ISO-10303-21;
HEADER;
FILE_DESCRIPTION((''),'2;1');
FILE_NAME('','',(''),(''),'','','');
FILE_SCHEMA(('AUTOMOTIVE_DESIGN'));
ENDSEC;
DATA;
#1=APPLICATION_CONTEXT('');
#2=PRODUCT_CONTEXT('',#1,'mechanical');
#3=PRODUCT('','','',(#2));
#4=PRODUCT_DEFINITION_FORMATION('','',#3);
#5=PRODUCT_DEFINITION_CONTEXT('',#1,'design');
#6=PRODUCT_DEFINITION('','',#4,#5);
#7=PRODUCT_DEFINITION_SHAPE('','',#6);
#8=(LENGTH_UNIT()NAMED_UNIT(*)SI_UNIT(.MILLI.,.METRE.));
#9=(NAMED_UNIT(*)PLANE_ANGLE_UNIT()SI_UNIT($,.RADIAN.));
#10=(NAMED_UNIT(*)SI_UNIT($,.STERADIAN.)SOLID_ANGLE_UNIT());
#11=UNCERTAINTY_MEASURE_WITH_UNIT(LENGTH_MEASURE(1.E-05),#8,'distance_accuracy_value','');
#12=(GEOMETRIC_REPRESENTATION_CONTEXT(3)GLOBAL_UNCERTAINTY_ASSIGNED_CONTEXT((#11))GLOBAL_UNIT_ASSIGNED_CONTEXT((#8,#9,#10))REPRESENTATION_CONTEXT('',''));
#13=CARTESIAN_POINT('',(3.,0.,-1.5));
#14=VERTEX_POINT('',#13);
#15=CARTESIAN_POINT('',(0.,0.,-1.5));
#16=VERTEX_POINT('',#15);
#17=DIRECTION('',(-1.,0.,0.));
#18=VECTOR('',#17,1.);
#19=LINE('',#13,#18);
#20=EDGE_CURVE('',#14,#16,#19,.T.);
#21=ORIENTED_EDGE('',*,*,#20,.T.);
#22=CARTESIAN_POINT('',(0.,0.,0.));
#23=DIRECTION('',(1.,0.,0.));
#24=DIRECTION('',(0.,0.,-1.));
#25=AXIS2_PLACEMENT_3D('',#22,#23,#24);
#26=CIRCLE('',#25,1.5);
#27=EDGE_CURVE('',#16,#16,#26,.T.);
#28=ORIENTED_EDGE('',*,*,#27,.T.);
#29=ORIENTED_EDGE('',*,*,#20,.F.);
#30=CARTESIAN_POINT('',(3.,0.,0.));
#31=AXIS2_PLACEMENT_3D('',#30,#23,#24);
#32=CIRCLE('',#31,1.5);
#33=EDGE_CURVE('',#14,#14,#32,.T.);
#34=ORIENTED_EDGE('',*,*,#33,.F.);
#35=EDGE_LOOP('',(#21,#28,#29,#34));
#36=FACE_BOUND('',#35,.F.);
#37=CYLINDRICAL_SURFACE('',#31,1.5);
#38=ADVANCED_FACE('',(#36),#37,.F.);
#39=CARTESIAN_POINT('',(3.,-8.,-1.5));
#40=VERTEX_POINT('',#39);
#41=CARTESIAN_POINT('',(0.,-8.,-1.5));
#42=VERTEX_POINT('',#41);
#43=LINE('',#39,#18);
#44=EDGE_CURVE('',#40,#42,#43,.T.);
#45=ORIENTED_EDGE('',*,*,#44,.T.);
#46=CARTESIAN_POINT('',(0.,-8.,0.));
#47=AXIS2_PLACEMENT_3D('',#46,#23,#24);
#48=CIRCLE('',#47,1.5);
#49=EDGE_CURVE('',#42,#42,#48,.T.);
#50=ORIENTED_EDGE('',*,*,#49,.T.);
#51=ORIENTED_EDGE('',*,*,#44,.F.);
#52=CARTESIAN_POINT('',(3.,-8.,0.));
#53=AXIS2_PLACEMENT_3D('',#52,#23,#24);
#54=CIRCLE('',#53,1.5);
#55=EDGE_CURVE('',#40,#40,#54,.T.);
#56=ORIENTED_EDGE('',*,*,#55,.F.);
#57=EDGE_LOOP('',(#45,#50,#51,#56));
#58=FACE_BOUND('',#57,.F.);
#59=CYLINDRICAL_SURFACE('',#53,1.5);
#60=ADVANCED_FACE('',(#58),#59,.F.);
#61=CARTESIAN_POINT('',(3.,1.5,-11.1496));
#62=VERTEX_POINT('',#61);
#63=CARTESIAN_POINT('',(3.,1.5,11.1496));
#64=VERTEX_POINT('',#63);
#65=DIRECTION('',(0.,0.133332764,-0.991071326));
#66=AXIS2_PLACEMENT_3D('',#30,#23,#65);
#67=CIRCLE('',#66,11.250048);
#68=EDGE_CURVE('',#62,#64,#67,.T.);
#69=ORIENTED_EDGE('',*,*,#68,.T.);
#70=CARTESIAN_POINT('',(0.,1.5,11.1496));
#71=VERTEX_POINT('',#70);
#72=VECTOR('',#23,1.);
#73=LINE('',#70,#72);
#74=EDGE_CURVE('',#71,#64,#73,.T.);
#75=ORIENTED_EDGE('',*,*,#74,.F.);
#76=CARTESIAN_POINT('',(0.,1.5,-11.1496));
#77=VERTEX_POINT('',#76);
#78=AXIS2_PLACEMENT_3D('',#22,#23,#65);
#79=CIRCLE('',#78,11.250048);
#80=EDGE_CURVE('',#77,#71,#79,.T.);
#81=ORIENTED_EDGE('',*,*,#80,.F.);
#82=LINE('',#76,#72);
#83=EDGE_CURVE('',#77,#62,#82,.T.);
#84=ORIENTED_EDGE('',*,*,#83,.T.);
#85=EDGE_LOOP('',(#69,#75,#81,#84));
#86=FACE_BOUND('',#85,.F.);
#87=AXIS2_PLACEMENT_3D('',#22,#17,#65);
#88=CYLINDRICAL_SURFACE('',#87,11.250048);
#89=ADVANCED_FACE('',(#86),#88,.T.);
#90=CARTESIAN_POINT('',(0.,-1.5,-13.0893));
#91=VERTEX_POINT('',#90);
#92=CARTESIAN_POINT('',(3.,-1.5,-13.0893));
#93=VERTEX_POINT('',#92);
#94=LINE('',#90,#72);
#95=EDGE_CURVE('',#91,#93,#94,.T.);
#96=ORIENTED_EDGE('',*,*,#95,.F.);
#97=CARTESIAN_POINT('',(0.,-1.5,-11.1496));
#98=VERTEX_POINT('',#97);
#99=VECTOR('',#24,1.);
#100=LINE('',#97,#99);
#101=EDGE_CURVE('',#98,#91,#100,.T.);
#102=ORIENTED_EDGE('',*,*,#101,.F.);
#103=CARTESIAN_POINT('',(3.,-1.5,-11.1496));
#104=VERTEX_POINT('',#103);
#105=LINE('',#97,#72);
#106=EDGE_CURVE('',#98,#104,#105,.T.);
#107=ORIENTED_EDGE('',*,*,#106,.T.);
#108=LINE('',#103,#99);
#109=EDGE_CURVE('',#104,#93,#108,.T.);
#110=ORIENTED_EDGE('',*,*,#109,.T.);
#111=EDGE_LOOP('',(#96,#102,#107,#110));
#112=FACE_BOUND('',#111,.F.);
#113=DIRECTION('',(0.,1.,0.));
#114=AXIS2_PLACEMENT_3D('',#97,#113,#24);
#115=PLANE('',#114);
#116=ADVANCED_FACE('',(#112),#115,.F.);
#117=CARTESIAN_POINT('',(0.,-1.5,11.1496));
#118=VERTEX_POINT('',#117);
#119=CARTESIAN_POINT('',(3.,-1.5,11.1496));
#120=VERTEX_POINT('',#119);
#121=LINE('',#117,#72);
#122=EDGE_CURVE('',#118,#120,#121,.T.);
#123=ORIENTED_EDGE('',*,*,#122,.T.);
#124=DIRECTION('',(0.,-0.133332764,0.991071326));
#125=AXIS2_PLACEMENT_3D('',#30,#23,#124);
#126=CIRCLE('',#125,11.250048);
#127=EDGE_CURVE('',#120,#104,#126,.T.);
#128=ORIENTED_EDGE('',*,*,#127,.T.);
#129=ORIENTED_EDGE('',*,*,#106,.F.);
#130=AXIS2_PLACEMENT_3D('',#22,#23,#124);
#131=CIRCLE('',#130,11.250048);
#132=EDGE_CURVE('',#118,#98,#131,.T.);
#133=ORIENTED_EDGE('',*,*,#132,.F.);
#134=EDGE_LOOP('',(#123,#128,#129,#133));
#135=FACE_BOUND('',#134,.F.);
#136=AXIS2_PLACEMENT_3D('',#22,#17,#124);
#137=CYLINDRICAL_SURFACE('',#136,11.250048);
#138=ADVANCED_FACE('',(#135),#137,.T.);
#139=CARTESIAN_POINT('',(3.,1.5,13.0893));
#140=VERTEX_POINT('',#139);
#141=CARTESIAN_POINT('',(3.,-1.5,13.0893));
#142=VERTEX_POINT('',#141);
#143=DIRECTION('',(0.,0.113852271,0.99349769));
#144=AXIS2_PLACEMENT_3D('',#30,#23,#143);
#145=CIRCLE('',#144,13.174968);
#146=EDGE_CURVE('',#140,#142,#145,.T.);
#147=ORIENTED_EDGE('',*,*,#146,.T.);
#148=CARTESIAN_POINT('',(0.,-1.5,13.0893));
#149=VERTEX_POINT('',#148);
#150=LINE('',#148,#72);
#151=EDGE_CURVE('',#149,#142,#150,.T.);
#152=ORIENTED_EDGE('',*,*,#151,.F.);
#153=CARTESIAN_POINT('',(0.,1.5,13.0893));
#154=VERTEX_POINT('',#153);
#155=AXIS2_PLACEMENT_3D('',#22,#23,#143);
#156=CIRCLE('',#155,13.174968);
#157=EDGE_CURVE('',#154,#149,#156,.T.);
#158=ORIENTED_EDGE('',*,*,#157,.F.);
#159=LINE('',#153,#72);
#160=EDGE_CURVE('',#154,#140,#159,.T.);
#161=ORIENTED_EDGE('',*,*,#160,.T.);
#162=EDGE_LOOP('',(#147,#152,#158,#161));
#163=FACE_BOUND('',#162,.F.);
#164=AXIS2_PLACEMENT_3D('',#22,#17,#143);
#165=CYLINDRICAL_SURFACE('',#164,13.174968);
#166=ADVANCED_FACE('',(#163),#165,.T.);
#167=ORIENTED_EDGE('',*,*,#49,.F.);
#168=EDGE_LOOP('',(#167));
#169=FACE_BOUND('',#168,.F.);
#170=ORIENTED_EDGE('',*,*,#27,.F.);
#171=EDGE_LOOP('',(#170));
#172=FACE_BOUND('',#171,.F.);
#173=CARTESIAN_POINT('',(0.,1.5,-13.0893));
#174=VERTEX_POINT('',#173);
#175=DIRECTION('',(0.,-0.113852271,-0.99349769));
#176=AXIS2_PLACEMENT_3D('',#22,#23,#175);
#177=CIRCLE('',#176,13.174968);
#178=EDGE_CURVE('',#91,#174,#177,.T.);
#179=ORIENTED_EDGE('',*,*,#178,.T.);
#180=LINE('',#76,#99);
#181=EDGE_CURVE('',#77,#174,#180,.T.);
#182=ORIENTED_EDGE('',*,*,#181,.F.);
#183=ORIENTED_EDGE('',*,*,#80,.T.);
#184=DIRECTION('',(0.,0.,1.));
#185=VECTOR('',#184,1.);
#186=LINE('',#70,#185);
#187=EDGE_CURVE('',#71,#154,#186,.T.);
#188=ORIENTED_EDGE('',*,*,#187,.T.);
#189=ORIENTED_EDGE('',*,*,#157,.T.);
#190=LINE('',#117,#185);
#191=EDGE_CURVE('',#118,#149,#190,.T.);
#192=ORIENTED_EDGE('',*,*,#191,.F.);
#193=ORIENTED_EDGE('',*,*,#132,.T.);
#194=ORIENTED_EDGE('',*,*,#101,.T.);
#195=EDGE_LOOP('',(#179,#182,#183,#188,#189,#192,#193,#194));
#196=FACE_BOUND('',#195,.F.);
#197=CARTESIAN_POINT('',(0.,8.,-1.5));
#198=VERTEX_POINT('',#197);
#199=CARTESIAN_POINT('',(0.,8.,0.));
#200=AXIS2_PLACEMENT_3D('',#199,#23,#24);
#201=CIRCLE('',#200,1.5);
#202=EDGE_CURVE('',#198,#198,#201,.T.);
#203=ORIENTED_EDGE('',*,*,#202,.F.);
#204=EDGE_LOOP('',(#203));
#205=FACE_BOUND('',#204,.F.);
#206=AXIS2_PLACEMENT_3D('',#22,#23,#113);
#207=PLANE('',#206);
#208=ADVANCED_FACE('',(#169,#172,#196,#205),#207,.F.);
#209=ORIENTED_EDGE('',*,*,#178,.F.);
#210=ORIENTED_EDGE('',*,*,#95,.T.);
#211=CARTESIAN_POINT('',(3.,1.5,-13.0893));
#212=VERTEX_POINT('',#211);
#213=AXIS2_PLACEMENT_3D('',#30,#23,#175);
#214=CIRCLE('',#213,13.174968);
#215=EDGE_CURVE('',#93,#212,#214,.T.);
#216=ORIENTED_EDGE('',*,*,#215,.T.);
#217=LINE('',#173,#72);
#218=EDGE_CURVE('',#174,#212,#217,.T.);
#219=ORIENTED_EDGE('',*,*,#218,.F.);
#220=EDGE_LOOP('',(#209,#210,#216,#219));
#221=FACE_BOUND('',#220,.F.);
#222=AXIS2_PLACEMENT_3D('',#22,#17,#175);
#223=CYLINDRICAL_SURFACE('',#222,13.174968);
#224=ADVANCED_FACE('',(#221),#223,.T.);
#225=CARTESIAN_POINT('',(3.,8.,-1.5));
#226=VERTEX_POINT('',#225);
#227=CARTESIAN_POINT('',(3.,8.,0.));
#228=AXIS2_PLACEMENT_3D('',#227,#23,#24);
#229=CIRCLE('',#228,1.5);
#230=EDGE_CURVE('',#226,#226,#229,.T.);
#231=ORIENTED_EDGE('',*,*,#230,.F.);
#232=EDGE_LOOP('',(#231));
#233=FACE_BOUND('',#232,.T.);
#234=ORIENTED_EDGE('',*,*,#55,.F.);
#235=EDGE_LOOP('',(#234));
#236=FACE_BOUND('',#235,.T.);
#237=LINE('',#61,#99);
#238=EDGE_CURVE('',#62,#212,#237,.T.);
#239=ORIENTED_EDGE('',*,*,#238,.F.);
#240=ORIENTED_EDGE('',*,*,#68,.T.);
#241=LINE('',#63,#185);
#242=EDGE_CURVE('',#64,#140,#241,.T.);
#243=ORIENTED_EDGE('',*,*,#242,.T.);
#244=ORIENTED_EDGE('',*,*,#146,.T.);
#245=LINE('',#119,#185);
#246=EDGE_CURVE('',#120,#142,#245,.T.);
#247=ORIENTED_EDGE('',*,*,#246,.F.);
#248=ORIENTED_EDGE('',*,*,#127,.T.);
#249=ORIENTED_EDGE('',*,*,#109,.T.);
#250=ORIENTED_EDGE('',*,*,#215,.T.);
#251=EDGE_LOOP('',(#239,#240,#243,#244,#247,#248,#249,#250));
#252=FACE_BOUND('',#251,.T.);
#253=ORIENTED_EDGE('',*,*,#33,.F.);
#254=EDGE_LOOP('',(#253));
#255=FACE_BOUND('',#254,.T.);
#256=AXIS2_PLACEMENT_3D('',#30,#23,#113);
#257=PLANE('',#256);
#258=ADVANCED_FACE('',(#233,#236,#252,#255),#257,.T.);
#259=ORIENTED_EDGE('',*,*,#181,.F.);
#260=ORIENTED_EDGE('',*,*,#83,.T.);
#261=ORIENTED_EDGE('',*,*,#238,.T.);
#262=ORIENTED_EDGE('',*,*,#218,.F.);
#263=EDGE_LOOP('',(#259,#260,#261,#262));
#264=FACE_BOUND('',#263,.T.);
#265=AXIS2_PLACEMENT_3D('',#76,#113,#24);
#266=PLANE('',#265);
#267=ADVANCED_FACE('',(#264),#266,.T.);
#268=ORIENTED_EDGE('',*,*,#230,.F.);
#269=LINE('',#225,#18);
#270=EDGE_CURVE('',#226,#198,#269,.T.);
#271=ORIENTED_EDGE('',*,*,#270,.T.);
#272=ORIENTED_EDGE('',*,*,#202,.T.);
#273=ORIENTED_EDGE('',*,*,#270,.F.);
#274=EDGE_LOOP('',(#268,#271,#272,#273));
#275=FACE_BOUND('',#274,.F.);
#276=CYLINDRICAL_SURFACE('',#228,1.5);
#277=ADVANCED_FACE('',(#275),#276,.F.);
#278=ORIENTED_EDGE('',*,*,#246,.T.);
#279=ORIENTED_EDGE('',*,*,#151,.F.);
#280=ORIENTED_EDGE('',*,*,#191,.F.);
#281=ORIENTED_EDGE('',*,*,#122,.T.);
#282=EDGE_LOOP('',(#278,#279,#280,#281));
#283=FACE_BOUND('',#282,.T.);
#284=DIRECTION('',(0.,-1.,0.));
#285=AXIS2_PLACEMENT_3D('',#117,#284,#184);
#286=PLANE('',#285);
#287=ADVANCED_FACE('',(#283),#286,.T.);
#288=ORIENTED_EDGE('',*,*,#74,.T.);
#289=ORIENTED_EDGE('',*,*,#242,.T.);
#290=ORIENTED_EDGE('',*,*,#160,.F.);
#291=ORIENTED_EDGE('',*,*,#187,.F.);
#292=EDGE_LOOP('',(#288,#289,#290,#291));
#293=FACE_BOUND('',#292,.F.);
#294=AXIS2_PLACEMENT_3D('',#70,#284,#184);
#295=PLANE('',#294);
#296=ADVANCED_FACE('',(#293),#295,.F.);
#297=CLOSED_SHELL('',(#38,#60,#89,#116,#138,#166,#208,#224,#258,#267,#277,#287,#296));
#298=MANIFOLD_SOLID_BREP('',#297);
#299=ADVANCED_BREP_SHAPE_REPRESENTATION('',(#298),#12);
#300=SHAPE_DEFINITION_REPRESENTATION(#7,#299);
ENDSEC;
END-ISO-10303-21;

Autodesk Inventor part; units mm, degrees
ref_plane "YZ Plane" through (0, 0, 0) normal (1, 0, 0) x (0, 1, 0)
ref_plane "XZ Plane" through (0, 0, 0) normal (0, 1, 0) x (-1, 0, 0)
ref_plane "XY Plane" through (0, 0, 0) normal (0, 0, 1) x (1, 0, 0)
sketch "Boceto1" plane through (0, 0, 0) normal (1, 0, 0) x (0, 1, 0)
  line L0 (1.5, -11.1496) -> (1.5, -13.0893)
  line L1 (-1.5, -11.1496) -> (-1.5, -13.0893)
  line L2 (-1.5, 11.1496) -> (-1.5, 13.0893)
  line L3 (1.5, 11.1496) -> (1.5, 13.0893)
  arc A0 (1.5, 13.0893) -> (-1.5, 13.0893) centre (0, 0) ccw
  arc A1 (-1.5, -13.0893) -> (1.5, -13.0893) centre (0, 0) ccw
  arc A2 (-1.5, 11.1496) -> (-1.5, -11.1496) centre (0, 0) ccw
  arc A3 (1.5, -11.1496) -> (1.5, 11.1496) centre (0, 0) ccw
extrude "Extrusión1" add sketch "Boceto1" along normal blind 3
sketch "Boceto2" plane through (3, 0, 0) normal (1, 0, 0) x (0, 0, -1)
  circle A0 centre (0, 8) radius 1.5
  circle A1 centre (0, -8) radius 1.5
  dimension "d14" = 3
  dimension "d15" = 3
extrude "Extrusión2" cut sketch "Boceto2" against normal blind 3
sketch "Boceto3" plane through (3, 0, 0) normal (1, 0, 0) x (0, 0, -1)
  circle A0 centre (0, 0) radius 1.5
  dimension "d18" = 3
extrude "Extrusión3" cut sketch "Boceto3" against normal blind 10
properties part number "tapa"
